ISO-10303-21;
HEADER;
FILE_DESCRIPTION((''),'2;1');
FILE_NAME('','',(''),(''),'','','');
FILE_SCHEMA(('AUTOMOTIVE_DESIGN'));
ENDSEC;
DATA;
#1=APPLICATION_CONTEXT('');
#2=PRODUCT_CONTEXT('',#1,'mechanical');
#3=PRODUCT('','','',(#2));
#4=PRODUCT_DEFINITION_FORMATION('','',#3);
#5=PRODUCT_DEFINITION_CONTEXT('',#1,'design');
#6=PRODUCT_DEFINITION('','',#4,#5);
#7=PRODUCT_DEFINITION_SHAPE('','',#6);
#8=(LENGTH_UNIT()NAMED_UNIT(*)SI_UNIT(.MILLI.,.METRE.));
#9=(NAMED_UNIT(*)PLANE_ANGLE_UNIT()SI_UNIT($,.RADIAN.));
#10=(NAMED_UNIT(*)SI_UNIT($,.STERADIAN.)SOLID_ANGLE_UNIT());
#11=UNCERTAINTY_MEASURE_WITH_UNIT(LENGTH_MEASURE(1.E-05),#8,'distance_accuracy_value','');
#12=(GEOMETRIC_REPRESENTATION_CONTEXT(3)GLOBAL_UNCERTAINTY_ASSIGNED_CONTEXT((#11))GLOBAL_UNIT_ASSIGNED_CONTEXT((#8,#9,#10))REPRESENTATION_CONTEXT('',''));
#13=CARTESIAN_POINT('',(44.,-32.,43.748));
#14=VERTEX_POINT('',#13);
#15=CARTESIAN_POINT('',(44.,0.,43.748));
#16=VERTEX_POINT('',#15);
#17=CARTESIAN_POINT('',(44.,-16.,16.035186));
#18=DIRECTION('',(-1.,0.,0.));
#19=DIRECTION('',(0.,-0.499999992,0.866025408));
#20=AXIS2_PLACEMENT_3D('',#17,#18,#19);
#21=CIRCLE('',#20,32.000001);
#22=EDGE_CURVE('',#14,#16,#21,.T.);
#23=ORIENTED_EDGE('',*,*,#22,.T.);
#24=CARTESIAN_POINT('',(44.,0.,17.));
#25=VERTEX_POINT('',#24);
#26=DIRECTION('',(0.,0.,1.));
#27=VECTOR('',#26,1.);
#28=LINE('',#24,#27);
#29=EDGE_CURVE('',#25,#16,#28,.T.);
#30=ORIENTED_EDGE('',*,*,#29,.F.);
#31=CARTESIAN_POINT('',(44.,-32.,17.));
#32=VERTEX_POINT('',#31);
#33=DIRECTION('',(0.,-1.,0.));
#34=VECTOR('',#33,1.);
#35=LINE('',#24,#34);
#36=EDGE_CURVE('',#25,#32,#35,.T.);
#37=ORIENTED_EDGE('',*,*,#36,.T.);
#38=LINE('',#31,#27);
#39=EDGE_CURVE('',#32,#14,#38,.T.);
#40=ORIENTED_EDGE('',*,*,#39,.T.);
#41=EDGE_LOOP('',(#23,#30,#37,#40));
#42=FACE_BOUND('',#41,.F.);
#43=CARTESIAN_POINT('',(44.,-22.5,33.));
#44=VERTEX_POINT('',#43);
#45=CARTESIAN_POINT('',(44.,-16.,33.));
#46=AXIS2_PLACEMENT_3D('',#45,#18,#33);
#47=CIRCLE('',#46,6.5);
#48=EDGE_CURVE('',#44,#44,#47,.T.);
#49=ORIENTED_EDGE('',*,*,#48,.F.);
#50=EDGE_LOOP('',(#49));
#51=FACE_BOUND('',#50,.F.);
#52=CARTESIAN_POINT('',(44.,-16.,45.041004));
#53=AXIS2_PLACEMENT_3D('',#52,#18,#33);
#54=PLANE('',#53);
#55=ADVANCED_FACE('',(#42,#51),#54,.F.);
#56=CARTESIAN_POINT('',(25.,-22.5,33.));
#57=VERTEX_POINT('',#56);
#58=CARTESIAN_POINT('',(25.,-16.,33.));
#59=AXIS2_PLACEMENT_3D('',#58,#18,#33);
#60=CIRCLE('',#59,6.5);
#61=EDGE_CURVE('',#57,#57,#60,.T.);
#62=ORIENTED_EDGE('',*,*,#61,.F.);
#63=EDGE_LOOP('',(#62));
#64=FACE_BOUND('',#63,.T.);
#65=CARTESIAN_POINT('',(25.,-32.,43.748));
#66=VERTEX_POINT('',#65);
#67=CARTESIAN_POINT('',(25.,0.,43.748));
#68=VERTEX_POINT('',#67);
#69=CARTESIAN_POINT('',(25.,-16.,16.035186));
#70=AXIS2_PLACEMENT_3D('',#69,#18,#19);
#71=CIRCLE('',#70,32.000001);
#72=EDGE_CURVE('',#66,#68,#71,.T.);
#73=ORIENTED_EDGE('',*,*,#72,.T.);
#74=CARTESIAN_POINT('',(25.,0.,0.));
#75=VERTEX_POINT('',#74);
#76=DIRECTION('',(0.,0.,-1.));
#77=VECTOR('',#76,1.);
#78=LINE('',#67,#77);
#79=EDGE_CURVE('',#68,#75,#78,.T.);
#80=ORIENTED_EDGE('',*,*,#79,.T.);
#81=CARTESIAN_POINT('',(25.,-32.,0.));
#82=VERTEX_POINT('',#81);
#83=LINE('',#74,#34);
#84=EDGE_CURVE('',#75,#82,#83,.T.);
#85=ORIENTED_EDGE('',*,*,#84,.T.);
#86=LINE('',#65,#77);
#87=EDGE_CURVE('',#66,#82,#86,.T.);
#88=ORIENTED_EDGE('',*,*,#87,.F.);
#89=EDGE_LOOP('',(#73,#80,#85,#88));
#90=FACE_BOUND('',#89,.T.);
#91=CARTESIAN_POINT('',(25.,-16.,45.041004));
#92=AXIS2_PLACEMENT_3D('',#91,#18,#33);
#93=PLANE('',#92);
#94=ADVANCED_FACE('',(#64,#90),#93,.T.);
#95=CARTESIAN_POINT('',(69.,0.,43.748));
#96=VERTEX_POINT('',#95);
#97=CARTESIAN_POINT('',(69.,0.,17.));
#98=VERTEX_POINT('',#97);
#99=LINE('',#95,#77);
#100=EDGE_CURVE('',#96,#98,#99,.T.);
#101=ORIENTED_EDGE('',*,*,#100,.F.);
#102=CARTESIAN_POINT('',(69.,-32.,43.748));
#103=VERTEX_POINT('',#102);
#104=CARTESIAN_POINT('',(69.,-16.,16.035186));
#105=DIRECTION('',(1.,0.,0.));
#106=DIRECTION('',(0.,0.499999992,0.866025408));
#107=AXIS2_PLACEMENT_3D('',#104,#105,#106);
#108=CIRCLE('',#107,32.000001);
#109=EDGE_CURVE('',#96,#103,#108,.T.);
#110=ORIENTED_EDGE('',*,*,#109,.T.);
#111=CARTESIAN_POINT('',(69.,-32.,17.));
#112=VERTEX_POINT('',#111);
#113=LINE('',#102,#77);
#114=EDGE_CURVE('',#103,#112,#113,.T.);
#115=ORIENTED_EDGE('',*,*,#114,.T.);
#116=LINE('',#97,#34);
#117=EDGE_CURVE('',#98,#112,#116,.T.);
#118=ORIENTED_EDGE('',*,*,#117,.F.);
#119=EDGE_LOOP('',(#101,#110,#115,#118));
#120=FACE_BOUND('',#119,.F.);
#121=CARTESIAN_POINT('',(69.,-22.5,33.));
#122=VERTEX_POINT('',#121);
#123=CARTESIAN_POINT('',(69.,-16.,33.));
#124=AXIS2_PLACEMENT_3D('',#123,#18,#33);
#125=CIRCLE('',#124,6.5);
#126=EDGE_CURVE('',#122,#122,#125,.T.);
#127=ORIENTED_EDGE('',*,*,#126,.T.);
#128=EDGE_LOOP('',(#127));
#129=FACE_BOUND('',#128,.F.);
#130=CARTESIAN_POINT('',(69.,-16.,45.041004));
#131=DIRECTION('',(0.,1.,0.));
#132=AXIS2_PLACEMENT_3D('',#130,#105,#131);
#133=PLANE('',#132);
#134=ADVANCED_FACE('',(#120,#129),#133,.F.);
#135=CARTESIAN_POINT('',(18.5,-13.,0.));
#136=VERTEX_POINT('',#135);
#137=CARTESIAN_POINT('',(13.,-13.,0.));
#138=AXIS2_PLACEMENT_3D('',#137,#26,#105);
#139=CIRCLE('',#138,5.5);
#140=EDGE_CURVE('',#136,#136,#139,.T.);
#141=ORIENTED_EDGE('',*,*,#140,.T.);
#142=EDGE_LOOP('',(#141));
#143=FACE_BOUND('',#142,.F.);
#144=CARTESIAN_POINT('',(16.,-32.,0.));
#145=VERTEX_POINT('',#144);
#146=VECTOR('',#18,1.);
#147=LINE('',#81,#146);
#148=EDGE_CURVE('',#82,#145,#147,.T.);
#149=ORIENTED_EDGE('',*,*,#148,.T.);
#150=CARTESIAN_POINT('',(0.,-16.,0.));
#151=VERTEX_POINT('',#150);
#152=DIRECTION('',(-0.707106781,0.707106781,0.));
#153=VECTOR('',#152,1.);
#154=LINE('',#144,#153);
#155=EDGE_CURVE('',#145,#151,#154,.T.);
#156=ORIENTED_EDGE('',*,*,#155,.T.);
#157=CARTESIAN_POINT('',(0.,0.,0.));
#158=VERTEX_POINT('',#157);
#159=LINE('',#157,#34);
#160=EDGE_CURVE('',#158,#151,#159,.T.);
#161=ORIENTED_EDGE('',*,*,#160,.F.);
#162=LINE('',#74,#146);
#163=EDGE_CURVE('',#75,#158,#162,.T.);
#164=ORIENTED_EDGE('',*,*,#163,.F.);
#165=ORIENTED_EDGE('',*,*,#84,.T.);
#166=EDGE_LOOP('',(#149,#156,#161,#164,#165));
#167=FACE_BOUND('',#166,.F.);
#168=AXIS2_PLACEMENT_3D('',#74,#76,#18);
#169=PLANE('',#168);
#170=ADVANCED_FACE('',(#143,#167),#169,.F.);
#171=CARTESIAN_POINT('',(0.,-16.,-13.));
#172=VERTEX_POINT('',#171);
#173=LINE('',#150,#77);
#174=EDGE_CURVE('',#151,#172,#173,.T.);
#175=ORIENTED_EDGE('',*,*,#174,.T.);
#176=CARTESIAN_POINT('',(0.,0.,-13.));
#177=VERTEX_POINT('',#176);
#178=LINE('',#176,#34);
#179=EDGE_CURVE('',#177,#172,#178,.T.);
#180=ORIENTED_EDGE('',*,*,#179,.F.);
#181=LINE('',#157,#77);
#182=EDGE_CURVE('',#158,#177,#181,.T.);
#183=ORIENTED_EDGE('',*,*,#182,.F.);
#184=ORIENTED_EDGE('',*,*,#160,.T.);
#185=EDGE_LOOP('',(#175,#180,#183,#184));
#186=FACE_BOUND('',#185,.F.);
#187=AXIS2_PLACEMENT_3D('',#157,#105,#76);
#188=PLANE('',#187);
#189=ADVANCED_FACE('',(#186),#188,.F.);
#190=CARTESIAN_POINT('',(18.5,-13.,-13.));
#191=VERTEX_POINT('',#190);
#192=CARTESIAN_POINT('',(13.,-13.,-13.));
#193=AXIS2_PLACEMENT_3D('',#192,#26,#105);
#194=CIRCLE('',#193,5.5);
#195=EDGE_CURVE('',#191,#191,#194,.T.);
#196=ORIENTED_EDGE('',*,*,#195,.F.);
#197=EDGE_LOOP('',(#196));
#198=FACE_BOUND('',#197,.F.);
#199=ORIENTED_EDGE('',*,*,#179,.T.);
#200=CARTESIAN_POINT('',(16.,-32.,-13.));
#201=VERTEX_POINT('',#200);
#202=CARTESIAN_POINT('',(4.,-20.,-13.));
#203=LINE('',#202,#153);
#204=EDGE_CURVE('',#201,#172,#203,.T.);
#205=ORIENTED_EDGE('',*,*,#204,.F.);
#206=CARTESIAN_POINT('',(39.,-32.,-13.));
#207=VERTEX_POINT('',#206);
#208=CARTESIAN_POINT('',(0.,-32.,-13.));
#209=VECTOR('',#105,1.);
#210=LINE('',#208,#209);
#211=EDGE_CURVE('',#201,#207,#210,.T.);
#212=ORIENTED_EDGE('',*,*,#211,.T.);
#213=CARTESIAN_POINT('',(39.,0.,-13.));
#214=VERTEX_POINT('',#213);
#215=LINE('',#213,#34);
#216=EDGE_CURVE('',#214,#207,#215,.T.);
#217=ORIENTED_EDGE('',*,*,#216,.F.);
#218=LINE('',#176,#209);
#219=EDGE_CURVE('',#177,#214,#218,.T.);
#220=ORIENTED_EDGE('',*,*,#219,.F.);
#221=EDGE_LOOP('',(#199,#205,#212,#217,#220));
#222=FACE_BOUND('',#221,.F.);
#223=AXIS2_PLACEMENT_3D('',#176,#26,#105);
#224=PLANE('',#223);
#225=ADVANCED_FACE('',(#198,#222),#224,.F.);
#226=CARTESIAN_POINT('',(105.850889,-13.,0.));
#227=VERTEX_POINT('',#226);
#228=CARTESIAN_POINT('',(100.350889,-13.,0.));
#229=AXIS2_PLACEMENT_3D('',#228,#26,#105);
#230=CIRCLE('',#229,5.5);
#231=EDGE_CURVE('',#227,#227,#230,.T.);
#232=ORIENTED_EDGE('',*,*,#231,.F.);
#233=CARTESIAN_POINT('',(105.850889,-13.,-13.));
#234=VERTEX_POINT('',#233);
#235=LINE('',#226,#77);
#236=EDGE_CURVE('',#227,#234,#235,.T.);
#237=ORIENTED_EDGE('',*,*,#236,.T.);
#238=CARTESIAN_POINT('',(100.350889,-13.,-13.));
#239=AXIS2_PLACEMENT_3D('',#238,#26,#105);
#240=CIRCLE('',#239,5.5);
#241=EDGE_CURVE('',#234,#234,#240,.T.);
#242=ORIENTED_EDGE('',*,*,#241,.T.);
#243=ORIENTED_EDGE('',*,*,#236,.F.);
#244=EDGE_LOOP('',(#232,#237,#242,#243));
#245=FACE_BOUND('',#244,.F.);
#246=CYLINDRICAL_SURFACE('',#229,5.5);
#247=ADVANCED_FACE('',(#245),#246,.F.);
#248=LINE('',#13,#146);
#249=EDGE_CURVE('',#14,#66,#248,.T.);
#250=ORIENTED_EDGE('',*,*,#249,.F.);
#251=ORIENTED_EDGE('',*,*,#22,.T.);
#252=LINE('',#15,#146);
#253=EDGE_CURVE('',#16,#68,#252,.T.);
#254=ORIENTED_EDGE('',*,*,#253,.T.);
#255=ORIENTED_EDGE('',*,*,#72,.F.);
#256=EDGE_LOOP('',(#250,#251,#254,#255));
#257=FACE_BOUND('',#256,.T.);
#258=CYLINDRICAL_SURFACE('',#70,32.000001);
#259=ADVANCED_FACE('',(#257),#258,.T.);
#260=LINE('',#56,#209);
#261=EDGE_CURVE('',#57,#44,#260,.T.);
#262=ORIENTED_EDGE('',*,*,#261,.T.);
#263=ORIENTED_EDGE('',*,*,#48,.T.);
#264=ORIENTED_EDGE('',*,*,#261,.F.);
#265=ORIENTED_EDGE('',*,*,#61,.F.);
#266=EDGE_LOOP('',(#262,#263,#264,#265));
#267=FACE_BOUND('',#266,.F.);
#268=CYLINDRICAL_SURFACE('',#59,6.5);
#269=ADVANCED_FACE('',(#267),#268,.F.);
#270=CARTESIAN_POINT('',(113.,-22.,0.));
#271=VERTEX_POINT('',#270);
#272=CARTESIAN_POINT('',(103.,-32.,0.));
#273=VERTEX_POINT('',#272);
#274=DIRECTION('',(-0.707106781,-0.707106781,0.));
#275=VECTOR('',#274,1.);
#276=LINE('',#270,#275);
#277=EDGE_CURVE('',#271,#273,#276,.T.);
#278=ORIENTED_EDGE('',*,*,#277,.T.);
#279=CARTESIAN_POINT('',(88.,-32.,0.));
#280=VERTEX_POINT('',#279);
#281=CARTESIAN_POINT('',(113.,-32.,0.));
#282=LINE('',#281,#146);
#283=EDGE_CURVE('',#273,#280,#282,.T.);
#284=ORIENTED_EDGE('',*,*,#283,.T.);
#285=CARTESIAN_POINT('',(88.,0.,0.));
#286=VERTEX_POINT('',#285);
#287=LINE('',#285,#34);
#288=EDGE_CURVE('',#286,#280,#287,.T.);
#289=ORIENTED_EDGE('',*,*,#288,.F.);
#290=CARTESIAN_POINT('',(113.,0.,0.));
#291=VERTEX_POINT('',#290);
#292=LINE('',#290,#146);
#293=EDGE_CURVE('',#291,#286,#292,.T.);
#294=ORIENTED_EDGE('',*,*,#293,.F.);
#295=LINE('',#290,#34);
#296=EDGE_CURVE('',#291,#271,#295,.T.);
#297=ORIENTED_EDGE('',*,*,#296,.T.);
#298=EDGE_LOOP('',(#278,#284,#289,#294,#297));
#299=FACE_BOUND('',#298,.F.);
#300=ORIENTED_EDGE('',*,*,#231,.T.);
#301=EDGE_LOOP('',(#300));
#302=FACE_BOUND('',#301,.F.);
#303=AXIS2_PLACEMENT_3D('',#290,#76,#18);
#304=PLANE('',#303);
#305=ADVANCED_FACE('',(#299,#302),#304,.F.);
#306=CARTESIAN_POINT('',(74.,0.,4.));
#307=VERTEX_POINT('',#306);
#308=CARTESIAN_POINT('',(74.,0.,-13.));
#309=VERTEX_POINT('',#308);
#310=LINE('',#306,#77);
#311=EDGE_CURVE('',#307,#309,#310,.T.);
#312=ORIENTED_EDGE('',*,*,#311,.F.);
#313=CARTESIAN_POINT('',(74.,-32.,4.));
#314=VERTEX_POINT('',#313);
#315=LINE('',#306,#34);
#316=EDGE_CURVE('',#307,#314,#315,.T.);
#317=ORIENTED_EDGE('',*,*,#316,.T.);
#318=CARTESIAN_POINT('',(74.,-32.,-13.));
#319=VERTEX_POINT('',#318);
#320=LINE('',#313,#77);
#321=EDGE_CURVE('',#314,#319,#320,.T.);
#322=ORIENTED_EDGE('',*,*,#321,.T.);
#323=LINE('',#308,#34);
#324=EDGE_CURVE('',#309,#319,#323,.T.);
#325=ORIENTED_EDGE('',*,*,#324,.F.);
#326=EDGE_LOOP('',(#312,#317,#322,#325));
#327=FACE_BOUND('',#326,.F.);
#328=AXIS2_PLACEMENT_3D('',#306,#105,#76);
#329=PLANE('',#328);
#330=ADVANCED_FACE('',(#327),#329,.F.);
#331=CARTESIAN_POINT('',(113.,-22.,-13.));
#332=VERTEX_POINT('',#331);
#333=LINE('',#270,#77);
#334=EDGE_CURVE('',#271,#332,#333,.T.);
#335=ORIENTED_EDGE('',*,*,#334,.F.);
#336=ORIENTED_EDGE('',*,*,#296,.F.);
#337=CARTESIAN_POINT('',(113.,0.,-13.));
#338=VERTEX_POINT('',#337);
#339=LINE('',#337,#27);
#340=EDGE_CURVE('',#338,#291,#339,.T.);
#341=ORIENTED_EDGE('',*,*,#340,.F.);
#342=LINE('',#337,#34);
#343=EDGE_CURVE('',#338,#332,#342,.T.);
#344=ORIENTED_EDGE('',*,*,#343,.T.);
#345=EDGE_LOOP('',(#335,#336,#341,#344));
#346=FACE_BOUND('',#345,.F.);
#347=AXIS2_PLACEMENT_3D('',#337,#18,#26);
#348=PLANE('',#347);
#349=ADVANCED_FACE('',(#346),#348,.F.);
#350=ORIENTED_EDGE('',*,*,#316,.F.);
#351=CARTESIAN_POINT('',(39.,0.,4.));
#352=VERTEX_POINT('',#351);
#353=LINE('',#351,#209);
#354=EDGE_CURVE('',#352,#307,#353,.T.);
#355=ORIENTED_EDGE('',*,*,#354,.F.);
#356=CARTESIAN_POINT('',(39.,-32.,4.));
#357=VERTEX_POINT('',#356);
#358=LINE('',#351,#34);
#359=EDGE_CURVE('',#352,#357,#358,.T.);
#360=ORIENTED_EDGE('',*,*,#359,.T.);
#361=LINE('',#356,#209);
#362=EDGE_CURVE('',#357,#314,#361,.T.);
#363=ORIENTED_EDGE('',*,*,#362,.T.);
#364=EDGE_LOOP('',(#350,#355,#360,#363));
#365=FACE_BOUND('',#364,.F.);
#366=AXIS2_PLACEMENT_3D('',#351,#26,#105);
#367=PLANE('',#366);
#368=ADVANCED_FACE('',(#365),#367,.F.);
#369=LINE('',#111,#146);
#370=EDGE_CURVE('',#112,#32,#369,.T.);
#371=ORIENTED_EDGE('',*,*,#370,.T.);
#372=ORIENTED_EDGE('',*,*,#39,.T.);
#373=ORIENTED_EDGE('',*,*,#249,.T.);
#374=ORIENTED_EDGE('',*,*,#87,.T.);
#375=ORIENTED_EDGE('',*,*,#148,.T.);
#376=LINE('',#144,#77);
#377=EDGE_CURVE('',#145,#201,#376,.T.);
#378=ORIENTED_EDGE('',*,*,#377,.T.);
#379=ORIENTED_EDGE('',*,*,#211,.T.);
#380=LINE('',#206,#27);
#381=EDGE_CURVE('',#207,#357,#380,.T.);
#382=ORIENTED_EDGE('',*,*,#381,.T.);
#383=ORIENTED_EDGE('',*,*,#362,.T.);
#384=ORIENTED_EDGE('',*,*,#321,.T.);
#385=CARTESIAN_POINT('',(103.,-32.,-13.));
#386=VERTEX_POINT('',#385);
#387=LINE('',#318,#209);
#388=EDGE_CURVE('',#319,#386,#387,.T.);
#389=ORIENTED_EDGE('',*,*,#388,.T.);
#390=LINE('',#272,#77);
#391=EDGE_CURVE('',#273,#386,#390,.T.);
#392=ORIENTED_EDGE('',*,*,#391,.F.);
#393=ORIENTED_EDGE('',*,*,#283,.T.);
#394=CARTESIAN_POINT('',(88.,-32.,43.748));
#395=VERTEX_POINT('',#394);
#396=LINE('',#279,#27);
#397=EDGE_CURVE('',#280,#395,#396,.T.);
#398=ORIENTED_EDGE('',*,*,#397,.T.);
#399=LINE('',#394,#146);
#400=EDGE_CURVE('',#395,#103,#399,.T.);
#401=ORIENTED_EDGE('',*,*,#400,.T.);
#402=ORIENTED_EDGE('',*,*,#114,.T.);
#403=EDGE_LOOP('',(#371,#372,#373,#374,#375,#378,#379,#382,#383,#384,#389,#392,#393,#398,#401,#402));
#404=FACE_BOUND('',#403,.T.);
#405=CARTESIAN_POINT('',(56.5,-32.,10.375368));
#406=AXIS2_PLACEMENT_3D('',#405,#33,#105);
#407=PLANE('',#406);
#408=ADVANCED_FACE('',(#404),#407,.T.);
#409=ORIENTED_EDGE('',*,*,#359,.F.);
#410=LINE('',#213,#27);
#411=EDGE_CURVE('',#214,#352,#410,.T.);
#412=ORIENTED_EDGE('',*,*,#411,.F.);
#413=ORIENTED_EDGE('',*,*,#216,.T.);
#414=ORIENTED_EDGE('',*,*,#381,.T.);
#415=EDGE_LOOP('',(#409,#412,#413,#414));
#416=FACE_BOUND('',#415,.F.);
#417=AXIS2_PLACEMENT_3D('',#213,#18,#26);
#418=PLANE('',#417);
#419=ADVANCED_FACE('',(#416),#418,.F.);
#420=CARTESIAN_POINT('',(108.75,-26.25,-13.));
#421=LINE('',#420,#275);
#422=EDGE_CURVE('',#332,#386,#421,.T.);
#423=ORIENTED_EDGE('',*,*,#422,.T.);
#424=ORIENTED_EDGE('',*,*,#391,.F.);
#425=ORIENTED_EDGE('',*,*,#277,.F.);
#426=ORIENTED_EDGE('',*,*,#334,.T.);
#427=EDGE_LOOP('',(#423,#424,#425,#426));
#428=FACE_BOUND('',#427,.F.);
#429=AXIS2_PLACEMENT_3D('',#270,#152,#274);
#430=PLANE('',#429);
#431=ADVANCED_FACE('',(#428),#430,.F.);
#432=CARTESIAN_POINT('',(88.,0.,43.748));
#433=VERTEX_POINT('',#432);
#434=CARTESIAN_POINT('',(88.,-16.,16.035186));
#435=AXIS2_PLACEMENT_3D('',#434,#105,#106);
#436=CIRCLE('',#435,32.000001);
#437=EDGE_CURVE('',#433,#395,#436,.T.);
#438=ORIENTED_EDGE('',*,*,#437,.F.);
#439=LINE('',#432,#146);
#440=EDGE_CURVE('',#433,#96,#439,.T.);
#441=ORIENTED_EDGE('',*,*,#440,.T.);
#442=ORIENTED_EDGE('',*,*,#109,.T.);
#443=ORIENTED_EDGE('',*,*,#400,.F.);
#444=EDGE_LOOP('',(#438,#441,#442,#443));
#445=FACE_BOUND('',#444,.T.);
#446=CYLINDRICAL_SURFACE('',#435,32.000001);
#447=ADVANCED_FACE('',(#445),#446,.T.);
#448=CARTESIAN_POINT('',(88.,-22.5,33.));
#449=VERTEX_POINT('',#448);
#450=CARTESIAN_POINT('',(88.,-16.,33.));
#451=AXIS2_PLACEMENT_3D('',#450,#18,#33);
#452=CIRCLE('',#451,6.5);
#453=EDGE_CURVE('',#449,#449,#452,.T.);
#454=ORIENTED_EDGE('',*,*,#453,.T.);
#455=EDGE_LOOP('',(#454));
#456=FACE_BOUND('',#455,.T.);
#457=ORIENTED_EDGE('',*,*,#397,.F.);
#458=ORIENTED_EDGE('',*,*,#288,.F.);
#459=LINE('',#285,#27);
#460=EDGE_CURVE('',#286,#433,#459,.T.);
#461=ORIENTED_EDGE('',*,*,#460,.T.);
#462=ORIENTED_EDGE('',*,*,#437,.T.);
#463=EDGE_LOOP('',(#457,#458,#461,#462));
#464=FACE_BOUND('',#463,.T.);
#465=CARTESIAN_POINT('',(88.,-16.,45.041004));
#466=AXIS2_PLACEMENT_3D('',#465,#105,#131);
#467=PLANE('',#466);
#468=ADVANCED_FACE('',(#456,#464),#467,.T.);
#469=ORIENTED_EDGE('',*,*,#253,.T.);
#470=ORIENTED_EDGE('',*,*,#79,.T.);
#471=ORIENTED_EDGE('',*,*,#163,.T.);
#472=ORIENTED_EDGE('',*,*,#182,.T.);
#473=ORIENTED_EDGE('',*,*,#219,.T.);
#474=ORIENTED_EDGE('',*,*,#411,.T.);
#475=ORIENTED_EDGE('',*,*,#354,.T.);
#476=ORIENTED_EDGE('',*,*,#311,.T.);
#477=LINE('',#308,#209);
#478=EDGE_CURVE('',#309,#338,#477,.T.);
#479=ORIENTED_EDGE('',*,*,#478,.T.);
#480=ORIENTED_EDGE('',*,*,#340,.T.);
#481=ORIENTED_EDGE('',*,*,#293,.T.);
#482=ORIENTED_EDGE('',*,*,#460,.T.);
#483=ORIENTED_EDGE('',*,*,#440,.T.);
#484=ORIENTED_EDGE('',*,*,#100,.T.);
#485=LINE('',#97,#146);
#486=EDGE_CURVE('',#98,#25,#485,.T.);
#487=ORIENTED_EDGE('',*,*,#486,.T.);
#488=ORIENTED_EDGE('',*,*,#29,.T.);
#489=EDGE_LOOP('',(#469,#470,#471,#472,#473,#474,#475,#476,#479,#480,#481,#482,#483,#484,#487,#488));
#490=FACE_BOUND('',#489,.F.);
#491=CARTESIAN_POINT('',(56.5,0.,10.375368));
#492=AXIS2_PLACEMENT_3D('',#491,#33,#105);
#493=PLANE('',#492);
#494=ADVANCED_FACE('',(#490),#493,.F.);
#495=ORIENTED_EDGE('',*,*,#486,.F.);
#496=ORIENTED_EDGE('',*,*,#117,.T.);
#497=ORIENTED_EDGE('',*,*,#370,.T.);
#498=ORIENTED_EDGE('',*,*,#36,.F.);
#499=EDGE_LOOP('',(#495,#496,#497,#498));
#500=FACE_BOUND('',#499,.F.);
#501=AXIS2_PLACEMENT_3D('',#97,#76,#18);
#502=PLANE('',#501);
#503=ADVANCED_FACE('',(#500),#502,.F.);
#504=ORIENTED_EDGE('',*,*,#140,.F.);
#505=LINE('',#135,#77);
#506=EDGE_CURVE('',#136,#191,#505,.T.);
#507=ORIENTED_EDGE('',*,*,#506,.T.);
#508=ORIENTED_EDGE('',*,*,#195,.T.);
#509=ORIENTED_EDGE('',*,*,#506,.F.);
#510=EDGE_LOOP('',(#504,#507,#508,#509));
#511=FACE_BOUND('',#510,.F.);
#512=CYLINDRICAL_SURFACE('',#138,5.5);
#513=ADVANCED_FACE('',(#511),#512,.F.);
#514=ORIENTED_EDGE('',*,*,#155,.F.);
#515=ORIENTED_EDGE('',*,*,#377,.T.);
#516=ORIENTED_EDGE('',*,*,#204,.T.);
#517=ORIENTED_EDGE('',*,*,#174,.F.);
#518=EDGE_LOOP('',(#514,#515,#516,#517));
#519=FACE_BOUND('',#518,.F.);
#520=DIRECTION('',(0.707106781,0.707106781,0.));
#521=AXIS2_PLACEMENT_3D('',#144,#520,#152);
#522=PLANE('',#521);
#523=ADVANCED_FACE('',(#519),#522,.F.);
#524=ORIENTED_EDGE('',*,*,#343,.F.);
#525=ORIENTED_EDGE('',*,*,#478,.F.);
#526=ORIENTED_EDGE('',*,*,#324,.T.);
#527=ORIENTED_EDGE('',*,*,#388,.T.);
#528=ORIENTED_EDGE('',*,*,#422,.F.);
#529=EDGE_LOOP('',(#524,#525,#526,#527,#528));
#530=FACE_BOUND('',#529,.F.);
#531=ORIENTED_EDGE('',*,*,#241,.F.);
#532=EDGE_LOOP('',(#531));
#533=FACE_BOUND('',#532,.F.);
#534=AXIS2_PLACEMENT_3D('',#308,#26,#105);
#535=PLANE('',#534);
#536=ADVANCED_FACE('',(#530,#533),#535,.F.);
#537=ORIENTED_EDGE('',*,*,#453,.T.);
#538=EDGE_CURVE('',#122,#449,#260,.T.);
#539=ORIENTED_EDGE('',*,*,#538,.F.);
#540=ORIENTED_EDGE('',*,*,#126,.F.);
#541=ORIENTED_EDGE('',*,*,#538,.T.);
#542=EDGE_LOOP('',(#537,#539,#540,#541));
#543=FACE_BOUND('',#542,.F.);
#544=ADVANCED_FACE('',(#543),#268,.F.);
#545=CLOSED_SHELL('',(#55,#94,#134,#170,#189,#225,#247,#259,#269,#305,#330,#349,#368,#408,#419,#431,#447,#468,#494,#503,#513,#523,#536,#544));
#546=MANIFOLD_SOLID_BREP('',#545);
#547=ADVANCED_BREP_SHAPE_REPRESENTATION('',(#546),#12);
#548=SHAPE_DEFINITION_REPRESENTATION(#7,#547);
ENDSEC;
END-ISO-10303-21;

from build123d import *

# Parameters (mm, degrees)
F1_DEPTH = 32
F2_R     = 5.5
F3_DEPTH = 13.001
F5_DEPTH = 19
F4_R     = 6.5
F6_DEPTH = 88.001
F8_DEPTH = 19


with BuildPart() as f1:
    # F0 (on Front) → F1 (new body)
    with BuildSketch(Plane.XZ):
        Polygon((25, 0), (0, 0), (0, -13), (39, -13), (39, 4), (74, 4), (74, -13), (113, -13), (113, 0), (88, 0), (88, 43.748), (69, 43.748), (69, 17), (44, 17), (44, 43.748), (25, 43.748), align=None)
    extrude(amount=F1_DEPTH)

    # F2 (on Top) → F3 (cut, through all)
    with BuildSketch(Plane.XY):
        with Locations((13, -13)):
            Circle(F2_R)
        with Locations((100.350889, -13)):
            Circle(F2_R)
        Polygon((16, -32), (0, -16), (0, -32), align=None)
        Polygon((113, -22), (103, -32), (113, -32), align=None)
    extrude(amount=-F3_DEPTH, mode=Mode.SUBTRACT)

    # F4 (on face) → F5 (join)
    with BuildSketch(Plane(origin=(25, 0, 0), x_dir=(0, -1, 0), z_dir=(-1, 0, 0))):
        with BuildLine():
            ThreePointArc((32, 43.748), (16, 48.035187), (0, 43.748))
            Line((0, 43.748), (32, 43.748))
        make_face()
    extrude(amount=-F5_DEPTH)

    # F4 (on face) → F6 (cut, through all)
    with BuildSketch(Plane(origin=(25, 0, 0), x_dir=(0, -1, 0), z_dir=(-1, 0, 0))):
        with Locations((16, 33)):
            Circle(F4_R)
    extrude(amount=-F6_DEPTH, mode=Mode.SUBTRACT)

    # F7 (on face) → F8 (join)
    with BuildSketch(Plane.YZ.offset(88)):
        with BuildLine():
            ThreePointArc((0, 43.748), (-16, 48.035187), (-32, 43.748))
            Line((-32, 43.748), (0, 43.748))
        make_face()
    extrude(amount=-F8_DEPTH)


solid = f1.part
